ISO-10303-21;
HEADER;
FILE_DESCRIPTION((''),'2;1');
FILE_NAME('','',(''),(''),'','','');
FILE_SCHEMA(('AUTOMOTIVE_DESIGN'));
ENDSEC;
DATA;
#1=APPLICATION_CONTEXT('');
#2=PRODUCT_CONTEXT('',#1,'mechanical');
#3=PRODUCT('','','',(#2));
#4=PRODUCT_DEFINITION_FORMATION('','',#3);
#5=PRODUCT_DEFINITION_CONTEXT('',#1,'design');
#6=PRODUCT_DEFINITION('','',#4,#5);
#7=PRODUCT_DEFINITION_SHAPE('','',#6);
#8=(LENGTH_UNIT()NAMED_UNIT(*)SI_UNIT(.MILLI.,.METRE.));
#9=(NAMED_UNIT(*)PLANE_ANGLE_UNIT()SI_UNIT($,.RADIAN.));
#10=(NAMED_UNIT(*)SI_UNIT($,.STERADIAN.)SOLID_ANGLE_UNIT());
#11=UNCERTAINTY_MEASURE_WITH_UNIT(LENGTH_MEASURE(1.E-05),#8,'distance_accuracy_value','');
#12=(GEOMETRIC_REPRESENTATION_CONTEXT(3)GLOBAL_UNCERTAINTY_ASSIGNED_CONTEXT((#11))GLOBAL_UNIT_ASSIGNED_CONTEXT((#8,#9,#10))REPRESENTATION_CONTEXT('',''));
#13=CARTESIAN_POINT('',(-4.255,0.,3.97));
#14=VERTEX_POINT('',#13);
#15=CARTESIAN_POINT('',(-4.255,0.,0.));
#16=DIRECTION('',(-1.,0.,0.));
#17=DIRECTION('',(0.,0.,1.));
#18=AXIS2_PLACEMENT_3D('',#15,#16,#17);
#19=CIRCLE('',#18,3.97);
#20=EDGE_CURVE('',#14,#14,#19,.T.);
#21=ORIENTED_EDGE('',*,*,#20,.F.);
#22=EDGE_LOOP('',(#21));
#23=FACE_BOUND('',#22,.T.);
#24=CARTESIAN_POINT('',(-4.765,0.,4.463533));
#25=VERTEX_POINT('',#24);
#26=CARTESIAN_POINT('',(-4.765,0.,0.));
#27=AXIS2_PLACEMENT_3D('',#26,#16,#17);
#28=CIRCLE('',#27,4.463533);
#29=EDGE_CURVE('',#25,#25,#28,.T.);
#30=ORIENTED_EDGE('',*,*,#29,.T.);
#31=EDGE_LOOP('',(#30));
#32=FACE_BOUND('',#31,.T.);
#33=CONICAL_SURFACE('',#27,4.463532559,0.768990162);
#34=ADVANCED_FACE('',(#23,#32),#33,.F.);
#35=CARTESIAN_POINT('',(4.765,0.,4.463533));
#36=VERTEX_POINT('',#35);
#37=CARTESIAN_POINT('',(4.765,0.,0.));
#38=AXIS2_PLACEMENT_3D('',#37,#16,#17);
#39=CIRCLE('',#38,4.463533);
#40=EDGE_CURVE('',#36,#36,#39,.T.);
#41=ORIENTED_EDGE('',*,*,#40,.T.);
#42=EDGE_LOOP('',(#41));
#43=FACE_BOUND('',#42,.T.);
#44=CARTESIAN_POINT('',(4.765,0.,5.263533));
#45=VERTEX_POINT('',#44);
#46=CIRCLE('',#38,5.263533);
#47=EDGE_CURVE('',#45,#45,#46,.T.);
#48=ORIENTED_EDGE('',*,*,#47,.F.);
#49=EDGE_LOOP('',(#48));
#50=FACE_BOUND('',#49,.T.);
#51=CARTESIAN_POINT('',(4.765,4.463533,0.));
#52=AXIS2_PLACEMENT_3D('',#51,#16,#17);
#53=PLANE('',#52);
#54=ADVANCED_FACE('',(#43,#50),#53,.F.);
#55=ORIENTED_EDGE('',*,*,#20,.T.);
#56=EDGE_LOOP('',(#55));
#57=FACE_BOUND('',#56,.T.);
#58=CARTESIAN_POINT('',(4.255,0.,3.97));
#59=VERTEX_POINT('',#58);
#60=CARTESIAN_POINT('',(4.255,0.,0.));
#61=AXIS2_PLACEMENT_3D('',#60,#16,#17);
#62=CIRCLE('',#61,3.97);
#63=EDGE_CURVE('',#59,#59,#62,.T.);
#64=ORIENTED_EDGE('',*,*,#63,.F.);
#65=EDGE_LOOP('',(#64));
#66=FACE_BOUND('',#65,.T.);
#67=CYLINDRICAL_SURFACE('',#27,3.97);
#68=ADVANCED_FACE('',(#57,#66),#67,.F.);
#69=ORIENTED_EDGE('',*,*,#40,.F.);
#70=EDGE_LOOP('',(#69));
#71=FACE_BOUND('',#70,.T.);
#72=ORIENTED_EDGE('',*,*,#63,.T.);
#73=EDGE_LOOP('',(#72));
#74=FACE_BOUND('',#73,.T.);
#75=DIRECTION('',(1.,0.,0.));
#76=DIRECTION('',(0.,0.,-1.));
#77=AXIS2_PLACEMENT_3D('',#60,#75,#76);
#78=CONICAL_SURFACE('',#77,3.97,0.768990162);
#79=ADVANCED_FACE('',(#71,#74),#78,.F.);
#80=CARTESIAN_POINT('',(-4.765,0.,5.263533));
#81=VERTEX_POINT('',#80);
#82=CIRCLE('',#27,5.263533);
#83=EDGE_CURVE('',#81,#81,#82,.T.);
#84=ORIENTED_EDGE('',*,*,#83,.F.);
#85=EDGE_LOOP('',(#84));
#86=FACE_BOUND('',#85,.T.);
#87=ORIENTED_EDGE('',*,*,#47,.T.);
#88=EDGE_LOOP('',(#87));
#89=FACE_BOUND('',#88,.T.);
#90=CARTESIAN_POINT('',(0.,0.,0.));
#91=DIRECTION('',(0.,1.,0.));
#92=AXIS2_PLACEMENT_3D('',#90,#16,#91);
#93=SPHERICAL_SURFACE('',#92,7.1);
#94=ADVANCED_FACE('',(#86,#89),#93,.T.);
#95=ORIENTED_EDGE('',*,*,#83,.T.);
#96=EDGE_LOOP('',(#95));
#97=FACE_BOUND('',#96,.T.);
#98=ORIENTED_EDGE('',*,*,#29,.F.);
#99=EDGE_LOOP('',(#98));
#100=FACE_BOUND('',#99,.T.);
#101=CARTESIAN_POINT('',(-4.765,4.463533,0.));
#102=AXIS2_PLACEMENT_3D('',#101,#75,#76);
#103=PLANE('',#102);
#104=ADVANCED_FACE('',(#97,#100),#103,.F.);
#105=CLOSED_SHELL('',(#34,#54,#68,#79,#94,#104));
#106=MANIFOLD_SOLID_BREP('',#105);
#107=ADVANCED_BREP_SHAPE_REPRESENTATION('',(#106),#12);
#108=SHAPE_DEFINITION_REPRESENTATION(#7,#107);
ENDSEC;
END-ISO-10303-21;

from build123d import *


with BuildPart() as part:
    # Sketch1 → Revolve1 (revolve)
    with BuildSketch(Plane.XY):
        with BuildLine():
            Line((-4.255, 3.97), (4.255, 3.97))
            Line((4.255, 3.97), (4.765, 4.463532559))
            Line((4.765, 4.463532559), (4.765, 5.263532559))
            ThreePointArc((4.765, 5.263532559), (0, 7.1), (-4.765, 5.263532559))
            Line((-4.765, 5.263532559), (-4.765, 4.463532559))
            Line((-4.765, 4.463532559), (-4.255, 3.97))
        make_face()
    revolve(axis=Axis((-4.765, 0, 0), (1, 0, 0)))


solid = part.part
